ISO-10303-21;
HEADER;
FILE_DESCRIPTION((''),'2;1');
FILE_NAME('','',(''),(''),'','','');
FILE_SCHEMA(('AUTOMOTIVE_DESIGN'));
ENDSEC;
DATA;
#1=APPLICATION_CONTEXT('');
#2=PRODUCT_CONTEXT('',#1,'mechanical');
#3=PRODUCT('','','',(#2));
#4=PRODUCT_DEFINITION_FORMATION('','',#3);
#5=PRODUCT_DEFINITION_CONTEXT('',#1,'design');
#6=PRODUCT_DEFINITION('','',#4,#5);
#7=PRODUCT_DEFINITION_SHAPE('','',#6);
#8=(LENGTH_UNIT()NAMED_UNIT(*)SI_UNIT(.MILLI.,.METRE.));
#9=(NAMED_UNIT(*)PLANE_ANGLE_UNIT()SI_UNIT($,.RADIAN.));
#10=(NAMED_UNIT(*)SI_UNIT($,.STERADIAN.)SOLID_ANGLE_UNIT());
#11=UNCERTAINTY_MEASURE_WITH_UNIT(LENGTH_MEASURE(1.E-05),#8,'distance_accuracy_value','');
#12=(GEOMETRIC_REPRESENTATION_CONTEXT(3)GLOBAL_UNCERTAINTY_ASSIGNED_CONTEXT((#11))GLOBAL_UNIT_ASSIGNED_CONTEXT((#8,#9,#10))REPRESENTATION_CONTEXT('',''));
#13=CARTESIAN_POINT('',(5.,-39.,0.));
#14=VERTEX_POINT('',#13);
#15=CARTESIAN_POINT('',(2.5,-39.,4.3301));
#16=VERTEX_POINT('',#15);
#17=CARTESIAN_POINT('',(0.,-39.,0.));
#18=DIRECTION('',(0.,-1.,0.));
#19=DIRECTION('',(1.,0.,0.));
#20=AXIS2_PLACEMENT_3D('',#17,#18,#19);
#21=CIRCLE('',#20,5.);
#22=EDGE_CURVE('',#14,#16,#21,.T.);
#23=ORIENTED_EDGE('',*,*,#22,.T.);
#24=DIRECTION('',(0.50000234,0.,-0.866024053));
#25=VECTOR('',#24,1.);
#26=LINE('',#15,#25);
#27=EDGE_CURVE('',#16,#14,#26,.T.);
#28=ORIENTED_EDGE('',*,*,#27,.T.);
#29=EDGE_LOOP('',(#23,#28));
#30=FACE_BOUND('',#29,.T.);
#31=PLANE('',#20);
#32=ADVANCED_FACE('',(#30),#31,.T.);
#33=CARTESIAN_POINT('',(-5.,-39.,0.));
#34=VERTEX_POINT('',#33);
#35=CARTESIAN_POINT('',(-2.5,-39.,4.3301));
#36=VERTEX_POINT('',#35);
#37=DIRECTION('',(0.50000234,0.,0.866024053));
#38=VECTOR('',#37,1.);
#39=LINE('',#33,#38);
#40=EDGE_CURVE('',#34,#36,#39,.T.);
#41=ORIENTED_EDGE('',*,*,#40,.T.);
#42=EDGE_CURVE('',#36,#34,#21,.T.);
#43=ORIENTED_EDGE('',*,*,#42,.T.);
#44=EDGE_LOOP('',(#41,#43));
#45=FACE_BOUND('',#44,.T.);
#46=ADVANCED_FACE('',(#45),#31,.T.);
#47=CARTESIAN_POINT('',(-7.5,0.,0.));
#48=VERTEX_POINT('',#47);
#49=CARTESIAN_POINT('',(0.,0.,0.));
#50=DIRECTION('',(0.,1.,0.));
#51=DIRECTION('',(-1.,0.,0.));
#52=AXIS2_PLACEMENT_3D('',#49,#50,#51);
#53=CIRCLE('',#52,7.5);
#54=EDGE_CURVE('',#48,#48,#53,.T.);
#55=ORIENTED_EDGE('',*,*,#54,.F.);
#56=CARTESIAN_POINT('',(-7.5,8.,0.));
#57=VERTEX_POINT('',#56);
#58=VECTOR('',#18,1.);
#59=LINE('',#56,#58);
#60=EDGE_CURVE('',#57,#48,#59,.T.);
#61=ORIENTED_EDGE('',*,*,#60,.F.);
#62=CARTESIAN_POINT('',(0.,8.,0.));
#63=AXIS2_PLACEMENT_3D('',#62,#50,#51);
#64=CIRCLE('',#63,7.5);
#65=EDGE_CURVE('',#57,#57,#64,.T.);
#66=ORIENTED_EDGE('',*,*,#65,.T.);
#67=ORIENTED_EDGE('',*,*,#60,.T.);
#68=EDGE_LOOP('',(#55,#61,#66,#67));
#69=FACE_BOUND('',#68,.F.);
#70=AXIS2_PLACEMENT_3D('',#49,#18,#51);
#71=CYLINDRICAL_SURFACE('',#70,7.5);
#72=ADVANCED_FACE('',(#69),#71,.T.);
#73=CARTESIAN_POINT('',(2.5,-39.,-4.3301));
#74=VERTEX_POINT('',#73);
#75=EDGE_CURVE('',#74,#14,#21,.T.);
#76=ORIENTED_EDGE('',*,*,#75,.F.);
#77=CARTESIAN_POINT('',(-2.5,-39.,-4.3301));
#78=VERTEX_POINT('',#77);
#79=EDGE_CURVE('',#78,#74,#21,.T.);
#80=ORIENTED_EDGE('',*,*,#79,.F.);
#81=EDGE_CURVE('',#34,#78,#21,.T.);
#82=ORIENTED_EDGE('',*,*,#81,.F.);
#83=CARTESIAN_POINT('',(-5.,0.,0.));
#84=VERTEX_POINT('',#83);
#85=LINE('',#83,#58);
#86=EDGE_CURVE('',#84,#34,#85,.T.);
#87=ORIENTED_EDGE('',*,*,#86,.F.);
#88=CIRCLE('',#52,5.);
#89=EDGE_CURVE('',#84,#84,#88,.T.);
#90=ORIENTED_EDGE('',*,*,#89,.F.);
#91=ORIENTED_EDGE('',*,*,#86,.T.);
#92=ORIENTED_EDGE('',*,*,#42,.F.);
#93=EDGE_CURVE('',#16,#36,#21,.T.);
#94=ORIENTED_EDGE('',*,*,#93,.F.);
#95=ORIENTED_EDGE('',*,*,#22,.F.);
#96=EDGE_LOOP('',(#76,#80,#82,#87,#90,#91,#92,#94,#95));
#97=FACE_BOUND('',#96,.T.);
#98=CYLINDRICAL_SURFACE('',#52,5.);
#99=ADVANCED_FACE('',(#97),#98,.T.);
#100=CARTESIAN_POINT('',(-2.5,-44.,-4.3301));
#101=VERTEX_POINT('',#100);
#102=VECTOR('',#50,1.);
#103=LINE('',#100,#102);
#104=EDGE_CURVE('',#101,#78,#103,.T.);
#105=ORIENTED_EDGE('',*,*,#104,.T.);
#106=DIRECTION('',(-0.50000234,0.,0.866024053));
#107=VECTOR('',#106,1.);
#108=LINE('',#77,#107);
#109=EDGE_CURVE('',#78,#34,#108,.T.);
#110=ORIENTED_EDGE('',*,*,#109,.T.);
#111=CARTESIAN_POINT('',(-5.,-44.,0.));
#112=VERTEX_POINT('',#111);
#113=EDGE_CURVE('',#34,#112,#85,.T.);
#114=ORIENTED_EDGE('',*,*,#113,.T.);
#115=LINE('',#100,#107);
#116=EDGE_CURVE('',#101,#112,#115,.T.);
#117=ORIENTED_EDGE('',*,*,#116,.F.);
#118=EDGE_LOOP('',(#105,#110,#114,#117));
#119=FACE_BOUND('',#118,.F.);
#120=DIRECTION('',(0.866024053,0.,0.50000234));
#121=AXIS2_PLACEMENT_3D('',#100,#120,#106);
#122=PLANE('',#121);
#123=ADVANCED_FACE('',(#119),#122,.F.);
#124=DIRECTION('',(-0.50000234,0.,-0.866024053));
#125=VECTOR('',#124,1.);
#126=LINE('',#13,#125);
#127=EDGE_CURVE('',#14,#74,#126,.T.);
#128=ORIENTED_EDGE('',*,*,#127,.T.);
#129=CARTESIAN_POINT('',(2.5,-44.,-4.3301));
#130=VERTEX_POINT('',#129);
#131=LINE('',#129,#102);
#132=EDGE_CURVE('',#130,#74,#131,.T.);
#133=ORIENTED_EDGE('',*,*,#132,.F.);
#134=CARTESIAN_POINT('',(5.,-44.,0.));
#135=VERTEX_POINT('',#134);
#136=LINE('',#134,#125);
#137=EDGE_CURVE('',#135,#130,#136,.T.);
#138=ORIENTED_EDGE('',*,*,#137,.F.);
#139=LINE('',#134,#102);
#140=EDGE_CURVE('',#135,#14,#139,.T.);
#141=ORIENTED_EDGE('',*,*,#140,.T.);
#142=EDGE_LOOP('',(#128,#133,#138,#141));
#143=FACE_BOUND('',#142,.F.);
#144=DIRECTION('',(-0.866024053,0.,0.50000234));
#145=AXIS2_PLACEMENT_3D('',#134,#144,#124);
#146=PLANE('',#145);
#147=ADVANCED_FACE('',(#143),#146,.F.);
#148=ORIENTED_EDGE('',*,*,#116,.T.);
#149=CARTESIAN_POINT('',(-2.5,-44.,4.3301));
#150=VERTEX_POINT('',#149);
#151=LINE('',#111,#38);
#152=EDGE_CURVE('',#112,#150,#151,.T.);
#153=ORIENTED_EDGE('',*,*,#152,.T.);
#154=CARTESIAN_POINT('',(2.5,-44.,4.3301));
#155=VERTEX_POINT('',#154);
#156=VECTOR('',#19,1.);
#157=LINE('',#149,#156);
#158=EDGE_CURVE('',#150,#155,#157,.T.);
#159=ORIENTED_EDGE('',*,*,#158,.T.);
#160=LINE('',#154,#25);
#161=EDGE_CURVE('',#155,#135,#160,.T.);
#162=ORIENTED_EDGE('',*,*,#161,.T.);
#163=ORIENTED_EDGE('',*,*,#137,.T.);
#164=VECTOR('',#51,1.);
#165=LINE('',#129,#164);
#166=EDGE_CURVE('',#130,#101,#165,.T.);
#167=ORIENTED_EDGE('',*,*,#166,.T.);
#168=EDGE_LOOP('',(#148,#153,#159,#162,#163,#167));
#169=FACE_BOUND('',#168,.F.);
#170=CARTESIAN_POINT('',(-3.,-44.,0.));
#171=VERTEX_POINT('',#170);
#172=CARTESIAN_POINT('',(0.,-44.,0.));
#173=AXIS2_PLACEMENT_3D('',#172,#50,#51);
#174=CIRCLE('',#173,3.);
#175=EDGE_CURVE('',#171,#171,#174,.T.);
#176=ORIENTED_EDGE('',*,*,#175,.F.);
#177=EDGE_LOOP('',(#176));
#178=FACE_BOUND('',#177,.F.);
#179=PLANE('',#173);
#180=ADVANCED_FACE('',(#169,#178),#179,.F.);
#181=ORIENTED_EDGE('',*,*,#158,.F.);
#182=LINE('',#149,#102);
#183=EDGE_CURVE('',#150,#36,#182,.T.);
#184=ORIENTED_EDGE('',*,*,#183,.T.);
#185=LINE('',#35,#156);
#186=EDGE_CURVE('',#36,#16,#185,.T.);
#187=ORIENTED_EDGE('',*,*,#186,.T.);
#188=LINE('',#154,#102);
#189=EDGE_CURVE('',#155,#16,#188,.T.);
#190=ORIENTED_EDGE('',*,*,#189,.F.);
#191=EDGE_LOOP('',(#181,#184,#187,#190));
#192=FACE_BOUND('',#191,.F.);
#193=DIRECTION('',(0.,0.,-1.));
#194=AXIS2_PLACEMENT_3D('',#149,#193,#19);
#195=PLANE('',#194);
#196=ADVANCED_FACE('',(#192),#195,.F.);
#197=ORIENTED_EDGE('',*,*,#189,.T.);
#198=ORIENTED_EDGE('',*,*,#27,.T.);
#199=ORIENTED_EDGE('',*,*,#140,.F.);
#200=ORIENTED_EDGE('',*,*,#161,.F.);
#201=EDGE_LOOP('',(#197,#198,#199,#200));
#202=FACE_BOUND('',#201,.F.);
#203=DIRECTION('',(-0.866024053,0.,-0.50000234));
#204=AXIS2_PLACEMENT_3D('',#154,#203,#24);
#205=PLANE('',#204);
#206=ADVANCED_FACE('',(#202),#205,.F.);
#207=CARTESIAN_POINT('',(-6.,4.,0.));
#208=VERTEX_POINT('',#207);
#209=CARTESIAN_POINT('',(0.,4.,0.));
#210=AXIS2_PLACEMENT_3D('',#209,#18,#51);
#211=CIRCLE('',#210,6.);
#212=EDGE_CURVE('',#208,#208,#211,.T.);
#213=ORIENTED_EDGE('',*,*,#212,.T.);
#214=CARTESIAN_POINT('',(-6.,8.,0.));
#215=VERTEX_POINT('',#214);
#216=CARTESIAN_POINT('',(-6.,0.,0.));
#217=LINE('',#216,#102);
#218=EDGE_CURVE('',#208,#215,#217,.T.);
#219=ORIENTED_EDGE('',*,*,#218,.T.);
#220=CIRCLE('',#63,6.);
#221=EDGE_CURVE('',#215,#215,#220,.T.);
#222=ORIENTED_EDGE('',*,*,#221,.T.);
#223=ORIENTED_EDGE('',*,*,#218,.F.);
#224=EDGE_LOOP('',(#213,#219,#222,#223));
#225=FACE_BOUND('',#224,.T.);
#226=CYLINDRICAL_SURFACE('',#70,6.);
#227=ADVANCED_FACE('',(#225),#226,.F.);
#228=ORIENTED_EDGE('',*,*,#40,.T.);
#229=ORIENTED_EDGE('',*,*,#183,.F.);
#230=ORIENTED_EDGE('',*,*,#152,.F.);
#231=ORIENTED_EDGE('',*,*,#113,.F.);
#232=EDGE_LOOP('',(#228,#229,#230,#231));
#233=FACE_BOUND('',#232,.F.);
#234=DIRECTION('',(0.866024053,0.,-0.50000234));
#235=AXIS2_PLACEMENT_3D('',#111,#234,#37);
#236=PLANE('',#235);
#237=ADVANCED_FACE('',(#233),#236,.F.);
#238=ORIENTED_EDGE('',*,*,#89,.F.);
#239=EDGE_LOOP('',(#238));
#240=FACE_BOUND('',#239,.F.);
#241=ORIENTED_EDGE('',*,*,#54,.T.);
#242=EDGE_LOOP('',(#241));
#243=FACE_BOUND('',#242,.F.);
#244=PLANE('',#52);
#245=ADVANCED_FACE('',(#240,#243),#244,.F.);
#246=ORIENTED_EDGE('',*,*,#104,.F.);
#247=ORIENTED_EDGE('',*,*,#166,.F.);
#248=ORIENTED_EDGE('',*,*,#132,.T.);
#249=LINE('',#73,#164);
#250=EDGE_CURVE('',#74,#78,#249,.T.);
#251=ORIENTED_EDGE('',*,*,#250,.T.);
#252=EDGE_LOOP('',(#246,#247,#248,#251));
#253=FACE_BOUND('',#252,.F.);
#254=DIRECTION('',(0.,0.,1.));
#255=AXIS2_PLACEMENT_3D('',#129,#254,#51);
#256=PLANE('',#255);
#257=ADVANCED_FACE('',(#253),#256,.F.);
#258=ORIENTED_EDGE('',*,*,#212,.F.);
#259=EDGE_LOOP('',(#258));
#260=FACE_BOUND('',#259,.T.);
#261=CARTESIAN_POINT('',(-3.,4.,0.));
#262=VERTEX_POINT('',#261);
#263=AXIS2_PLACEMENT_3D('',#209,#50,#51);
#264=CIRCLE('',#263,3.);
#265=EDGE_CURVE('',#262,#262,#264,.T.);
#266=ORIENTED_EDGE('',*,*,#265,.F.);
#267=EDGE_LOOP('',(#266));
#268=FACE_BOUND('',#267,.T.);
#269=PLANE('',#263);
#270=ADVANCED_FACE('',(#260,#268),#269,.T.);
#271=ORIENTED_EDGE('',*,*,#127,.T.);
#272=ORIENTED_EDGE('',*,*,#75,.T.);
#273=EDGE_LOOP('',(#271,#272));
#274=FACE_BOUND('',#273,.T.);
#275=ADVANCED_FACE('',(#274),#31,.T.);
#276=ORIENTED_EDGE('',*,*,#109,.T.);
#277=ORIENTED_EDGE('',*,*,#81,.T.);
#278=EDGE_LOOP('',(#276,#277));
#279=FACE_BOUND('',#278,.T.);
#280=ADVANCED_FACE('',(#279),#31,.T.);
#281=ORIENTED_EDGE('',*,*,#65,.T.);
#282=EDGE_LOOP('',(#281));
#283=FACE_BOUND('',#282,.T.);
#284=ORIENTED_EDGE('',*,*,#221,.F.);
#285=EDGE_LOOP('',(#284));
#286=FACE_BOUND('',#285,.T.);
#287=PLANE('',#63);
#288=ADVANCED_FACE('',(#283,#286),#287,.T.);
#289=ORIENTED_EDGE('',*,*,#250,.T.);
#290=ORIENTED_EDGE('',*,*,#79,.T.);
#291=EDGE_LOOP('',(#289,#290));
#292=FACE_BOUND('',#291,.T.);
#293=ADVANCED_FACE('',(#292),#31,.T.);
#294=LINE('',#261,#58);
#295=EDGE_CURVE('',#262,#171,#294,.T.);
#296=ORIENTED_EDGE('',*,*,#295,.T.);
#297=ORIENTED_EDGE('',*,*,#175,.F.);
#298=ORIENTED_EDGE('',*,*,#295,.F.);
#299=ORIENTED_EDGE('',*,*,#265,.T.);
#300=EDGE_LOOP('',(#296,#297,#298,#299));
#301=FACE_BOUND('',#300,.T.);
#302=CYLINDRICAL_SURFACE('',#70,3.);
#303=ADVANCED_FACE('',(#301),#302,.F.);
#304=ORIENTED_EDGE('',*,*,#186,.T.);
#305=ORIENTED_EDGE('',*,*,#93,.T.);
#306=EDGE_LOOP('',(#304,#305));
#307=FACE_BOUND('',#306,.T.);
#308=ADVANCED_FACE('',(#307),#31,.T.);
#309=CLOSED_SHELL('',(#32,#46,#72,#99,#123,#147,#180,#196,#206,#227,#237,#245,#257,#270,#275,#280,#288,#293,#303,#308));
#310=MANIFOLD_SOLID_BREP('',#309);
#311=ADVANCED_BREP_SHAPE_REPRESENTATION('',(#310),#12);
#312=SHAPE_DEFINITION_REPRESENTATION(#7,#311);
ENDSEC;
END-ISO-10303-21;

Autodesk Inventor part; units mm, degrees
ref_plane "YZ Plane" through (0, 0, 0) normal (1, 0, 0) x (0, 1, 0)
ref_plane "XZ Plane" through (0, 0, 0) normal (0, 1, 0) x (-1, 0, 0)
ref_plane "XY Plane" through (0, 0, 0) normal (0, 0, 1) x (1, 0, 0)
sketch "Sketch1" plane through (0, 0, 0) normal (0, 1, 0) x (-1, 0, 0)
  circle A0 centre (0, 0) radius 7.5
  circle A1 centre (0, 0) radius 5
  circle A2 centre (0, 0) radius 4
  circle A3 centre (0, 0) radius 3
  circle A4 centre (0, 0) radius 6
  dimension "d0" = 15
  dimension "d1" = 10
  dimension "d2" = 8
  dimension "d7" = 6
  dimension "d8" = 12
extrude "Extrusion1" add sketch "Sketch1" along normal blind 8 contours A0
extrude "Extrusion2" add sketch "Sketch1" against normal blind 44 contours A1 | A2
extrude "Extrusion3" add sketch "Sketch1" along normal blind 4 contours A0 | A1 | A2 | A4
sketch "Sketch2" plane through (0, -44, 0) normal (0, -1, 0) x (1, 0, 0)
  circle A0 centre (0, 0) radius 5 projected
  line L0 (5, 0) -> (2.5, -4.3301)
  line L1 (2.5, -4.3301) -> (-2.5, -4.3301)
  line L2 (-2.5, -4.3301) -> (-5, 0)
  line L3 (-5, 0) -> (-2.5, 4.3301)
  line L4 (-2.5, 4.3301) -> (2.5, 4.3301)
  line L5 (2.5, 4.3301) -> (5, 0)
  circle A1 centre (0, 0) radius 5
  dimension "d11" = 10
extrude "Extrusion4" cut sketch "Sketch2" against normal blind 5 contours L5 A0 | A0 L0 | L4 A0 | A0 L1 | L3 A0 | A0 L2
properties part number "vacuum-gear-shaft"
